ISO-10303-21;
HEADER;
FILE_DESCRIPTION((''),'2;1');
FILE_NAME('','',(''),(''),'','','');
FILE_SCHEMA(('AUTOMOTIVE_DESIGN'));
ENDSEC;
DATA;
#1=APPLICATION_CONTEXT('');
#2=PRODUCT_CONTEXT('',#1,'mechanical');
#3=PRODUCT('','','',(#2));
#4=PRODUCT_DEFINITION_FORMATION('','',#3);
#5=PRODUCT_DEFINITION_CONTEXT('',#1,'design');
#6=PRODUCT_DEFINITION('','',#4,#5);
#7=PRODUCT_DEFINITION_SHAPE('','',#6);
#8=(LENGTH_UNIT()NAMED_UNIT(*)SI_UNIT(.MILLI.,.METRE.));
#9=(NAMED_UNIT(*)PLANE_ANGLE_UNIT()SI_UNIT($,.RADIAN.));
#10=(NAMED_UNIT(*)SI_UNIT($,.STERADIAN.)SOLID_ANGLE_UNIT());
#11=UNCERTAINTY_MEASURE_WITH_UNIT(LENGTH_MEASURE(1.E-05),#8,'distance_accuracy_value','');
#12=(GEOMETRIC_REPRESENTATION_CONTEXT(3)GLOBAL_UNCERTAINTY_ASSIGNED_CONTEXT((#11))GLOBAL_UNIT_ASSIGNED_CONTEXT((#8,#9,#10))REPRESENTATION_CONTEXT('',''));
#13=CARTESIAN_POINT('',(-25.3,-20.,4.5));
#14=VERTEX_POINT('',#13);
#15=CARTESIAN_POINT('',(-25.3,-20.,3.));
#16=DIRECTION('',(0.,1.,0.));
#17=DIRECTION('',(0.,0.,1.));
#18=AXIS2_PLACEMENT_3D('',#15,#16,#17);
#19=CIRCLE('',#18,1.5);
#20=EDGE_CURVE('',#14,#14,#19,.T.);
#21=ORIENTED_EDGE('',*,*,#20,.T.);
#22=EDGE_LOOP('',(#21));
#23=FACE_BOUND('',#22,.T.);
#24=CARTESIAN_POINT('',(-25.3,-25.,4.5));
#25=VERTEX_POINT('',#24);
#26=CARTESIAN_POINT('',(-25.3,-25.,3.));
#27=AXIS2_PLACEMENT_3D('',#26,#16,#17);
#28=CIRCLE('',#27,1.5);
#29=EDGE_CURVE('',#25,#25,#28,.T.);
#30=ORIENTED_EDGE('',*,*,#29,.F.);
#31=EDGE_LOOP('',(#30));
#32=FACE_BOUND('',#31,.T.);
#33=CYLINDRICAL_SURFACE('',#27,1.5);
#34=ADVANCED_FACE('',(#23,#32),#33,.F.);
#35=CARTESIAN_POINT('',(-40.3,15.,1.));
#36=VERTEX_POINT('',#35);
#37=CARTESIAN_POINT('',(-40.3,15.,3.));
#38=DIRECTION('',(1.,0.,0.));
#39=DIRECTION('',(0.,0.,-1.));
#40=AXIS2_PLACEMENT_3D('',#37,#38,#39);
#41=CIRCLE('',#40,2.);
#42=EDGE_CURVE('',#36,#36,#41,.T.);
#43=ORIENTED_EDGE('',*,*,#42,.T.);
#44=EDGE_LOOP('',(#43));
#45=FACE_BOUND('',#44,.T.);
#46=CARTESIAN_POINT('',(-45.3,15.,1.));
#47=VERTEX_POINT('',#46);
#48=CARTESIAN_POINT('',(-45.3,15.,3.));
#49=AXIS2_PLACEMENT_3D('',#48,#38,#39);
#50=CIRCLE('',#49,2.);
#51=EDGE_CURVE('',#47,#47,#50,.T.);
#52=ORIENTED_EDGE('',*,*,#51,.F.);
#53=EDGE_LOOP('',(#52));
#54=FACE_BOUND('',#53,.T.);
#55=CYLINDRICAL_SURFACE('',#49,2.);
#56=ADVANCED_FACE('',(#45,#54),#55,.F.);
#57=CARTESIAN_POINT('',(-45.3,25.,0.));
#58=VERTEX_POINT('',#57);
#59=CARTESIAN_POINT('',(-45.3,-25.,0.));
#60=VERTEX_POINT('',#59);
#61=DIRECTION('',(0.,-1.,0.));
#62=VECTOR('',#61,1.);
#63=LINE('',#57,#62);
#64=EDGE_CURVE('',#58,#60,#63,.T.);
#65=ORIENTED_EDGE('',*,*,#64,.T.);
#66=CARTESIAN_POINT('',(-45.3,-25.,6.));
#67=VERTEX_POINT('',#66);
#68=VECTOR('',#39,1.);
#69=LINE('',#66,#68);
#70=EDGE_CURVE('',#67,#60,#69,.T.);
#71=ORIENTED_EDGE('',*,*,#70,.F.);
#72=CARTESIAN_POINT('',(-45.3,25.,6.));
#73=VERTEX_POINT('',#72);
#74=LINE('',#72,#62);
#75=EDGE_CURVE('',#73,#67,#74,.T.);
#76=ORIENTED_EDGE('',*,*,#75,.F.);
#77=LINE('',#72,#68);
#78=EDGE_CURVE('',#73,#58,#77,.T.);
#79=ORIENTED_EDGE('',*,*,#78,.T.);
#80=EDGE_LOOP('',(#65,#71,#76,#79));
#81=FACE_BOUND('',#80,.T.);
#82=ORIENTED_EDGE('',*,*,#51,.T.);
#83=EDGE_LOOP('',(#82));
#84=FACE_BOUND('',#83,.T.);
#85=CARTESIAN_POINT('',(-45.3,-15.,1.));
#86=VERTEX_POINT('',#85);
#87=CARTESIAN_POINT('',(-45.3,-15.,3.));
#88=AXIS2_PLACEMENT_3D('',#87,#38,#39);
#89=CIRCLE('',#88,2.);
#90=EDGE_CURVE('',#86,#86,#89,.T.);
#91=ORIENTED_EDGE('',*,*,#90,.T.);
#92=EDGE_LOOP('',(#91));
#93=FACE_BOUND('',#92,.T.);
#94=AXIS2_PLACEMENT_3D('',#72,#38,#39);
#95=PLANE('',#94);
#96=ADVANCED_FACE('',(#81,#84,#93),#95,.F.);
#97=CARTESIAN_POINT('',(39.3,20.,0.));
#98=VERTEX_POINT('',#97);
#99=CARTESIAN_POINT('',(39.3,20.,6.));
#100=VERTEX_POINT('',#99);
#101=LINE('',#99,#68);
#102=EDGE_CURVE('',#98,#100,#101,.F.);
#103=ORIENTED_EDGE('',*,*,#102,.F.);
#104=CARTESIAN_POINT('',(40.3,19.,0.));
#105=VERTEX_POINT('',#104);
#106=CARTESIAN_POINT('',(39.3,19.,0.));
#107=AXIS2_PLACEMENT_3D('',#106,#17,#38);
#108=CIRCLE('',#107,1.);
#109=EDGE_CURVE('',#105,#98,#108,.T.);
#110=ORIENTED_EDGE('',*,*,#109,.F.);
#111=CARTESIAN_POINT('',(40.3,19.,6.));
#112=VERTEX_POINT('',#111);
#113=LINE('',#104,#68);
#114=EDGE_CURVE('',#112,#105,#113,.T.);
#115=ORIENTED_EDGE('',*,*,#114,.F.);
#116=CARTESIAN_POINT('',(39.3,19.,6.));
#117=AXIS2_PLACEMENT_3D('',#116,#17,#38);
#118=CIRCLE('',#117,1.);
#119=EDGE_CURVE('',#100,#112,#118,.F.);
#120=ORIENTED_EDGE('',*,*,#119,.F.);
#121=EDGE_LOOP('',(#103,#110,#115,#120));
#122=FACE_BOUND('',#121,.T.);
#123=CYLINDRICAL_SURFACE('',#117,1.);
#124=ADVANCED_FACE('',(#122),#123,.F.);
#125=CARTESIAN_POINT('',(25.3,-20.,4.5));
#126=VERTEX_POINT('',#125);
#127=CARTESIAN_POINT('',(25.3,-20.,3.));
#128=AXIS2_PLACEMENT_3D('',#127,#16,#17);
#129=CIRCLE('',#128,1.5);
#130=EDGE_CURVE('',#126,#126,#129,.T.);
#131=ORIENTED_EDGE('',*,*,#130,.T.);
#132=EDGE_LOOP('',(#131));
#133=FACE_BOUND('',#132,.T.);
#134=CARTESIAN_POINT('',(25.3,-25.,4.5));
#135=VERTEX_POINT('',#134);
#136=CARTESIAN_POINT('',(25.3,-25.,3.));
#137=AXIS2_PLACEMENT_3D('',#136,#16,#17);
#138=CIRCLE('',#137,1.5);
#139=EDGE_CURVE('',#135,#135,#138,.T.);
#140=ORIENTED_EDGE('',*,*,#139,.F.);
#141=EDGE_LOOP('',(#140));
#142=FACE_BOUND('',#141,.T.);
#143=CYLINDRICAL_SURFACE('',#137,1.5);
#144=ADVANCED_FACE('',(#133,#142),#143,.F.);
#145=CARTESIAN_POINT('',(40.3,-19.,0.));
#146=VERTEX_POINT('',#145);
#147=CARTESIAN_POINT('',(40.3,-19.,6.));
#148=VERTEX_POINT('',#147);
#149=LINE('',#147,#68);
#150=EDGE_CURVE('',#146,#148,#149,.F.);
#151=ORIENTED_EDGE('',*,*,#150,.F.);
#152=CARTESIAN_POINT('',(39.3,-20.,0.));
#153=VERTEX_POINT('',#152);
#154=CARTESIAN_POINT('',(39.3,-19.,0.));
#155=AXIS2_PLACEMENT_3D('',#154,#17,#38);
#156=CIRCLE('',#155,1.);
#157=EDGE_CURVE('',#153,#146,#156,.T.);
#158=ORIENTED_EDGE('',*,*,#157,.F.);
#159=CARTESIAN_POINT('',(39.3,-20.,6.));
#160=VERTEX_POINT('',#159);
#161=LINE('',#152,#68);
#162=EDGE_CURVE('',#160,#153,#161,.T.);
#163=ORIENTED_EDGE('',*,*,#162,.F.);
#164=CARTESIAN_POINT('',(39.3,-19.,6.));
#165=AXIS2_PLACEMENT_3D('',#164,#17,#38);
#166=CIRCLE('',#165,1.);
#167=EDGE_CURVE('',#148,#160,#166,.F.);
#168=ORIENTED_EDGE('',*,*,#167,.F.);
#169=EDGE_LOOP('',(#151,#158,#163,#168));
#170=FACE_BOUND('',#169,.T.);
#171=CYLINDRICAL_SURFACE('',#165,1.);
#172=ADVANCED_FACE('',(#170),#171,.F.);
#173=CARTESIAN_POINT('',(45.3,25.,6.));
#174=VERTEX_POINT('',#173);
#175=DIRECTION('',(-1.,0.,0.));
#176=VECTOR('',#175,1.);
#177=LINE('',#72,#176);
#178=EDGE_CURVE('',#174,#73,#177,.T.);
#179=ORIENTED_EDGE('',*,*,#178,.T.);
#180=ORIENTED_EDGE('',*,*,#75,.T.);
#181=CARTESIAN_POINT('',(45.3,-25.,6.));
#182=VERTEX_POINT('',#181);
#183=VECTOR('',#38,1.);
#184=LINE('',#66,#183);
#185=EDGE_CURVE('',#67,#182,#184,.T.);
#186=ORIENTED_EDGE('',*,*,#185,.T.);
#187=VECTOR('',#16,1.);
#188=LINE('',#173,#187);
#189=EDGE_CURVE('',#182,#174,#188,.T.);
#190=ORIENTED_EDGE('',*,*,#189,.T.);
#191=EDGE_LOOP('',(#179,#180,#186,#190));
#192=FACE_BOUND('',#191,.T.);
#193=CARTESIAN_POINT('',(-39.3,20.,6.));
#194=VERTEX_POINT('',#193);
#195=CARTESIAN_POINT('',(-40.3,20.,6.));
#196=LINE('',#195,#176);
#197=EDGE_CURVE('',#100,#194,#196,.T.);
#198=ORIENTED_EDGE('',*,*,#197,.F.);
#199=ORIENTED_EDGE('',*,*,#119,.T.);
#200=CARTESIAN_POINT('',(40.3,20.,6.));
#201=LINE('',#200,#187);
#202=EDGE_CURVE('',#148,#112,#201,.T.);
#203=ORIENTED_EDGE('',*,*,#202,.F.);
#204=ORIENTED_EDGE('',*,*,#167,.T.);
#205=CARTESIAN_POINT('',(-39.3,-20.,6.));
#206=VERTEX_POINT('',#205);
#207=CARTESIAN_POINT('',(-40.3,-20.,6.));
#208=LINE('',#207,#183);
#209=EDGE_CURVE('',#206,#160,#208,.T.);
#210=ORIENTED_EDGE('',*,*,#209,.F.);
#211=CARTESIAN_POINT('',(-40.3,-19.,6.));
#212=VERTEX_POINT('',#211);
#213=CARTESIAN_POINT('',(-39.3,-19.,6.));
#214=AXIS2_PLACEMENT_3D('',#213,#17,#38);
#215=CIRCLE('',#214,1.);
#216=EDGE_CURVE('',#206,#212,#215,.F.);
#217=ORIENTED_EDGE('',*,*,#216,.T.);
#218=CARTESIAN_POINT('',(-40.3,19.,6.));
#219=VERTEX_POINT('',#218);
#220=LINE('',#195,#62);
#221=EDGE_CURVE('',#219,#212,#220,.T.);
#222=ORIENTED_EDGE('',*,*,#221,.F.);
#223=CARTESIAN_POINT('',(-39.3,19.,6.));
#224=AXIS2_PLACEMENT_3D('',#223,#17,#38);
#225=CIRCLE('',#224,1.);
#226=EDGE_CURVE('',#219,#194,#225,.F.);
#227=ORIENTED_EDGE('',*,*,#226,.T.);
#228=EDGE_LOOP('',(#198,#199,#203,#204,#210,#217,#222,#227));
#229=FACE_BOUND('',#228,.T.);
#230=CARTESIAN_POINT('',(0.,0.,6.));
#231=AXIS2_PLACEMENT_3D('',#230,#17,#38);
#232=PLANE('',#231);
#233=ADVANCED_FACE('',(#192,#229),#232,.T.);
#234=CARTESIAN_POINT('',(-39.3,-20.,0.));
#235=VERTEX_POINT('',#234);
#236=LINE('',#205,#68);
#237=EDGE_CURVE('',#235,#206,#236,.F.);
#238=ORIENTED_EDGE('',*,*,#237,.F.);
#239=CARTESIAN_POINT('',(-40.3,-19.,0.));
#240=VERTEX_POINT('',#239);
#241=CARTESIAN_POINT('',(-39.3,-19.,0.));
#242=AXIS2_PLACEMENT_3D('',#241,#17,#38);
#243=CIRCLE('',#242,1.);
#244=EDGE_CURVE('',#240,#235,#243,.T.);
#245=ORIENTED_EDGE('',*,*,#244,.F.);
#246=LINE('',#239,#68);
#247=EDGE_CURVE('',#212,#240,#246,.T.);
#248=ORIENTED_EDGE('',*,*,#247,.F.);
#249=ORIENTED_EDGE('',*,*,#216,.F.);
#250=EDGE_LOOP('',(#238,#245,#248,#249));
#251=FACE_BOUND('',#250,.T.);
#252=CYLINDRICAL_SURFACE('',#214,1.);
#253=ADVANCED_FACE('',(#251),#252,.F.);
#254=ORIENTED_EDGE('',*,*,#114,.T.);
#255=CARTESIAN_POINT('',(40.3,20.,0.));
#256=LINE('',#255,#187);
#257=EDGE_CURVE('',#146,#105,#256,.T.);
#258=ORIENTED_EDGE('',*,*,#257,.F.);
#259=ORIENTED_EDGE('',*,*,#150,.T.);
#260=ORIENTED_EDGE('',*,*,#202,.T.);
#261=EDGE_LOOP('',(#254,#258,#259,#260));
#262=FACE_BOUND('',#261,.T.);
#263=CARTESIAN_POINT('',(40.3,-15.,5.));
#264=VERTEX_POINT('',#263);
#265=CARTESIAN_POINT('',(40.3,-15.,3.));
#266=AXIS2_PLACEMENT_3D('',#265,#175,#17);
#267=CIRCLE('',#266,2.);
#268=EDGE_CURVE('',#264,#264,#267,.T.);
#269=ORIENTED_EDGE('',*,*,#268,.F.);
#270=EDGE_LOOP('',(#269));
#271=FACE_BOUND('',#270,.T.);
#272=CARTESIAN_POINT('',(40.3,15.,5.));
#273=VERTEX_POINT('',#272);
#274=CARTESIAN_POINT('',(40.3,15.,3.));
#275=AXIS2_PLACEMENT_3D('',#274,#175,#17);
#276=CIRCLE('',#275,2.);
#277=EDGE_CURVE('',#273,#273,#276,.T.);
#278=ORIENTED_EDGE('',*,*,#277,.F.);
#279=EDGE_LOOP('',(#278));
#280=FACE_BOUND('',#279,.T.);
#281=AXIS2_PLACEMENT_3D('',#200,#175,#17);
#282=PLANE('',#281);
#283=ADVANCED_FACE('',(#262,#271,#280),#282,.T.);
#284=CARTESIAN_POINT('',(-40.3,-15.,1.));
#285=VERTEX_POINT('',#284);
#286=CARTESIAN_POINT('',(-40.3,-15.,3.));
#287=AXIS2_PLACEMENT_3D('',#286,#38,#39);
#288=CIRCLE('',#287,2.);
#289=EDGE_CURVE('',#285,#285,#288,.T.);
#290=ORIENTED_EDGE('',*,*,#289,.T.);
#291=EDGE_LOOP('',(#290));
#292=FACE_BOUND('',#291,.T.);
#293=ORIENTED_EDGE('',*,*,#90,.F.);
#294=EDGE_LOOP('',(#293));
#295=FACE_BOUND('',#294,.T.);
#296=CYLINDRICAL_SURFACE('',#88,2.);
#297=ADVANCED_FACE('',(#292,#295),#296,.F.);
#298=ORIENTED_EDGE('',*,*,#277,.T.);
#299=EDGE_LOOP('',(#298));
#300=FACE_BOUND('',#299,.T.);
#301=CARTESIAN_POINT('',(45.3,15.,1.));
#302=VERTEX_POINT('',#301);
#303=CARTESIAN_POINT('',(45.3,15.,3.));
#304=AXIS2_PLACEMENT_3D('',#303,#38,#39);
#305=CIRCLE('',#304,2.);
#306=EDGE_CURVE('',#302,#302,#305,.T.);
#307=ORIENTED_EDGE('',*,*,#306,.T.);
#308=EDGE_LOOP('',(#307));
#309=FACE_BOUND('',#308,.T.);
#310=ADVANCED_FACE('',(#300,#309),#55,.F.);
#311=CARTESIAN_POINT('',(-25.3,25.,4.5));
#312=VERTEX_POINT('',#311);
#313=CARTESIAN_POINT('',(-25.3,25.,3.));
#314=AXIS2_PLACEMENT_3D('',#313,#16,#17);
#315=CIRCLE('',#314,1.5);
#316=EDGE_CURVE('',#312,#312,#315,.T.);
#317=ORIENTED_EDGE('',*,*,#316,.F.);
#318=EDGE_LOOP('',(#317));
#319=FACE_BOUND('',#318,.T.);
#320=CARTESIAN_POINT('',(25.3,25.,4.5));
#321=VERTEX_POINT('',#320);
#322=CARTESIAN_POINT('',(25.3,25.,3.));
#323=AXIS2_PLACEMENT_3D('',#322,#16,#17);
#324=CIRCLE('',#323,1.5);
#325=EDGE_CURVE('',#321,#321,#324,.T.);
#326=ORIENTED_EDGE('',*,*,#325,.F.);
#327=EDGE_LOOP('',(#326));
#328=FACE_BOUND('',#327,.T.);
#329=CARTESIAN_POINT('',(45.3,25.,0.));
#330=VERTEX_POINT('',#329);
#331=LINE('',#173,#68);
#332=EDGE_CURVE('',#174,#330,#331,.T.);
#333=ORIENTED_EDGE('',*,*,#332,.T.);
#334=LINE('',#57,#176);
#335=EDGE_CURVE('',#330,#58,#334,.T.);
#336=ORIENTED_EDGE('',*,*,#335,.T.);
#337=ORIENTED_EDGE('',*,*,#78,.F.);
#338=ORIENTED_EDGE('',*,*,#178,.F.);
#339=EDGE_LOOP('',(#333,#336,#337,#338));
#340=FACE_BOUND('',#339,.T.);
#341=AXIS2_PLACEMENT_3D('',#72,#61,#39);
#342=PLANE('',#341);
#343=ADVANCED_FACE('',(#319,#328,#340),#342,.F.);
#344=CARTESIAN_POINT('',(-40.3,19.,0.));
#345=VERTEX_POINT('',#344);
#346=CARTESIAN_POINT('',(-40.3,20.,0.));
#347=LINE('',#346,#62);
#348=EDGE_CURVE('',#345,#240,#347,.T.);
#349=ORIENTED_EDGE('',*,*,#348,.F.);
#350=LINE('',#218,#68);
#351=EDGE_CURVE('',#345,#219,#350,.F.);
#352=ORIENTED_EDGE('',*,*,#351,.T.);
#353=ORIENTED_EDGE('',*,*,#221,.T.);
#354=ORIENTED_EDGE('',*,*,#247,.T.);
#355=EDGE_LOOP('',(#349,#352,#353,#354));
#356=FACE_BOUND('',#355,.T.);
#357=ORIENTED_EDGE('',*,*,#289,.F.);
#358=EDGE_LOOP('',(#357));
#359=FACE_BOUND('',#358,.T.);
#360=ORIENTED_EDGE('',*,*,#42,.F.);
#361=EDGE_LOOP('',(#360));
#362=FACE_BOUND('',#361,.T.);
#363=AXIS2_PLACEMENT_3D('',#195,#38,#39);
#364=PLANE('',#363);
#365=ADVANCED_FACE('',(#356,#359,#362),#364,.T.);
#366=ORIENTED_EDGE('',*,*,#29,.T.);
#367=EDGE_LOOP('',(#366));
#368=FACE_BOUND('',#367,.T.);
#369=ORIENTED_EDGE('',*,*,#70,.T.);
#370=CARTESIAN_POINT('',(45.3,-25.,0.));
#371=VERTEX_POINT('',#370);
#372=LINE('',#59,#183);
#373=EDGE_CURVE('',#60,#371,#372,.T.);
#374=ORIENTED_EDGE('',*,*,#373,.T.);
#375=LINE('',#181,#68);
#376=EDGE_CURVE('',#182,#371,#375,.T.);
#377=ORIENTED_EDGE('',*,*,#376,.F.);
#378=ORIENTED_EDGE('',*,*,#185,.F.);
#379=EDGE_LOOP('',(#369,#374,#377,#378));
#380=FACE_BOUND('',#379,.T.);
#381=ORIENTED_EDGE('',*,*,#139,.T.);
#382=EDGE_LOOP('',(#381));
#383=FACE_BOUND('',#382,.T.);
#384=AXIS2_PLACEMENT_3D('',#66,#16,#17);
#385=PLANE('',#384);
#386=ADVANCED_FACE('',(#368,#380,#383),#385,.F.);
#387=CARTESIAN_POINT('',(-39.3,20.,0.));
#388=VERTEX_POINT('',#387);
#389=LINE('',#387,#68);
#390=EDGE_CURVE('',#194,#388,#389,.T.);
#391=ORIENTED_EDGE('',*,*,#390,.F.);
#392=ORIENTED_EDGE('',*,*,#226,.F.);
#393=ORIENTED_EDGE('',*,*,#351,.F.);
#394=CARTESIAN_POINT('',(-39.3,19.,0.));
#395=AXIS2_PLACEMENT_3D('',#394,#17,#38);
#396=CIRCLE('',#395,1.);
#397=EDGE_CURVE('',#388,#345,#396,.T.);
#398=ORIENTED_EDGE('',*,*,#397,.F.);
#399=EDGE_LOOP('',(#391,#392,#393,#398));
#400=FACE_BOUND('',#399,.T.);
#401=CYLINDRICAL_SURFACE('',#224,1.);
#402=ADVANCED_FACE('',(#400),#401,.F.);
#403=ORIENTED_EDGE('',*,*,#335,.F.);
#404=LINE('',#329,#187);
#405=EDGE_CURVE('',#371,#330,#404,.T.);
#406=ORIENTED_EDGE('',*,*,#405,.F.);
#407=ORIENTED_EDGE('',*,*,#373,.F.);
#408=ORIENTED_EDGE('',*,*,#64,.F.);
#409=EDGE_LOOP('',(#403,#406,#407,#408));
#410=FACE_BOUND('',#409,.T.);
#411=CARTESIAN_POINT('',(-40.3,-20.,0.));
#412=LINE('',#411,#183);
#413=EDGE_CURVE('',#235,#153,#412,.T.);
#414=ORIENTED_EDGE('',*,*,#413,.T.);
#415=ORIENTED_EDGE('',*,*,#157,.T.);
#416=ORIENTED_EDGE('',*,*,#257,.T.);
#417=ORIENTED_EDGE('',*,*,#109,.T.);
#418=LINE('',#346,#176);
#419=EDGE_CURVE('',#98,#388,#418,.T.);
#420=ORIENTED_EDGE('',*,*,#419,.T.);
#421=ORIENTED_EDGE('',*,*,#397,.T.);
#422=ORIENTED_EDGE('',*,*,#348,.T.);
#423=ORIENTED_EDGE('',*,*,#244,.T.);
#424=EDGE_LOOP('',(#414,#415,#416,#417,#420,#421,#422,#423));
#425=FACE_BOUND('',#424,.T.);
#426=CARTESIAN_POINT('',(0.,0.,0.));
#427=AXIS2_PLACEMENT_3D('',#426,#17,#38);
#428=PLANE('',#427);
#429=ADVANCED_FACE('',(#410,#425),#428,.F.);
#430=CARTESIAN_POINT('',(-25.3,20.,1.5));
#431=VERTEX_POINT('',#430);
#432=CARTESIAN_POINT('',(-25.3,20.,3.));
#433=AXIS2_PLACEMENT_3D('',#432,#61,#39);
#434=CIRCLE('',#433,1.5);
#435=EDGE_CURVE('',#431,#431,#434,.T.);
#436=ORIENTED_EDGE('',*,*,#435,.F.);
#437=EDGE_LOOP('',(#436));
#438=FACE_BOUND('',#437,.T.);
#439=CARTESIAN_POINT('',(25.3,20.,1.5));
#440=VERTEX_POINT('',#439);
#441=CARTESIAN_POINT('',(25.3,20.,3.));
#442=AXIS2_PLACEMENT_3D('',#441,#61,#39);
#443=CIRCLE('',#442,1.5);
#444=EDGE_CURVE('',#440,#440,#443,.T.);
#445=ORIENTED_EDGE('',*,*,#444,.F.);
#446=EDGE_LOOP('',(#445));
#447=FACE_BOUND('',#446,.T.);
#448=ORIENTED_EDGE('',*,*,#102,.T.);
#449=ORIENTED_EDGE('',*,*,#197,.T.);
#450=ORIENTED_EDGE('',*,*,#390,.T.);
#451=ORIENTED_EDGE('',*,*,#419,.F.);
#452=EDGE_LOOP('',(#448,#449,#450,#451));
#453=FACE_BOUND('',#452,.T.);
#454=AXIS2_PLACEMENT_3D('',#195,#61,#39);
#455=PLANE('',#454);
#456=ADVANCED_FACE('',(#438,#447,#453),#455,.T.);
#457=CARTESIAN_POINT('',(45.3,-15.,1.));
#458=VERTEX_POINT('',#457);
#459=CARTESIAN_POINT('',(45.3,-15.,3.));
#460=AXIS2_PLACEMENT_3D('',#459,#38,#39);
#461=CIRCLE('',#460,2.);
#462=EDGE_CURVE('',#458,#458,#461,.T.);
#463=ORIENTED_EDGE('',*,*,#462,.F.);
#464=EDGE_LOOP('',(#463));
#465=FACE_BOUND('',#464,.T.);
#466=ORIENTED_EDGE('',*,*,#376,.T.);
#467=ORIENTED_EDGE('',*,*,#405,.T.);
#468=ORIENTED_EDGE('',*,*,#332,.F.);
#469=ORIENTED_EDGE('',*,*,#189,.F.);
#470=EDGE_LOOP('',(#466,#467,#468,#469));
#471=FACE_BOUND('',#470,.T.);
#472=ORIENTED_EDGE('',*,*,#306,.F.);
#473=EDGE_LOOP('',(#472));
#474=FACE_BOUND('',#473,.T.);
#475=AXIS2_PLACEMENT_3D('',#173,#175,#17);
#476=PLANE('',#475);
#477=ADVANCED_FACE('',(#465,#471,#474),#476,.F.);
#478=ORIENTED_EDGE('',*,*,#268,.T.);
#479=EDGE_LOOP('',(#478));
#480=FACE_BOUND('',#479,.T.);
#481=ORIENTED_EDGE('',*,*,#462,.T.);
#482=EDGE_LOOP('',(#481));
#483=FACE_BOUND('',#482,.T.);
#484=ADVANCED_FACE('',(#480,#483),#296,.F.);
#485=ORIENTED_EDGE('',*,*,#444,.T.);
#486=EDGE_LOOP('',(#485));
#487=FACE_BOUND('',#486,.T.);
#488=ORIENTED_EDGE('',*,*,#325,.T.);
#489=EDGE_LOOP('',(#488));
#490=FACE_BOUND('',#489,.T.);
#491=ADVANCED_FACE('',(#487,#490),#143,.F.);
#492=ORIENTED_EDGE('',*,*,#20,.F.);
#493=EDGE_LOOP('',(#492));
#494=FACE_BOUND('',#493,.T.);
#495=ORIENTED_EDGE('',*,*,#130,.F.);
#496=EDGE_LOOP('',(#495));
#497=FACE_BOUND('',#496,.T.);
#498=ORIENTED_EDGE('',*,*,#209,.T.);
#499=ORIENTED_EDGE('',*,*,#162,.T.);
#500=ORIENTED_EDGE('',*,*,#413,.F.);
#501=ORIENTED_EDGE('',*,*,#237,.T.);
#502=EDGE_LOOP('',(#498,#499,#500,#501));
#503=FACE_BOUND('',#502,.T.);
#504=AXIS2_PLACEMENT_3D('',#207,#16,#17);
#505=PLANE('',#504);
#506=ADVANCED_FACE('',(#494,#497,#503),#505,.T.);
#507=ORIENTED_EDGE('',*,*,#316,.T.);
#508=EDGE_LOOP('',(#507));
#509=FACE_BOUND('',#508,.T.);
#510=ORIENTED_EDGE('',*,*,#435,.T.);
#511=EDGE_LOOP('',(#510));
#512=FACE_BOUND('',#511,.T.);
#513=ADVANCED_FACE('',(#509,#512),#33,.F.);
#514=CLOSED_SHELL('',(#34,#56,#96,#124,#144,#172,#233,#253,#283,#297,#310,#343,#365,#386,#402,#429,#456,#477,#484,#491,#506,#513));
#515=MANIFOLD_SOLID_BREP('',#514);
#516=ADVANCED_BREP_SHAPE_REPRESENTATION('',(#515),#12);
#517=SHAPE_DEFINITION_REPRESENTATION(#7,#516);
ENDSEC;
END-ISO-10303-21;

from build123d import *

# Parameters (mm, degrees)
SKETCH_1_W          = 90.6
SKETCH_1_H          = 50
SKETCH_1_W_2        = 80.6
SKETCH_1_H_2        = 40
EXTRUDE_1_DEPTH     = 6
FILLET_1_R          = 1
SKETCH_2_R          = 2
CUT_EXTRUDE_1_DEPTH = 95.177279638
SKETCH_3_R          = 1.5
CUT_EXTRUDE_2_DEPTH = 68.73544124


with BuildPart() as part:
    # 草图1 → 凸台-拉伸1 (new body)
    with BuildSketch(Plane.XY):
        Rectangle(SKETCH_1_W, SKETCH_1_H)
        Rectangle(SKETCH_1_W_2, SKETCH_1_H_2, mode=Mode.SUBTRACT)
    extrude(amount=EXTRUDE_1_DEPTH)

    # 圆角1
    fillet_1_edges = [part.edges().sort_by_distance(p)[0] for p in [
        (40.3, -20, 3),
        (40.3, 20, 3),
        (-40.3, 20, 3),
        (-40.3, -20, 3),
    ]]
    fillet(fillet_1_edges, radius=FILLET_1_R)

    # 草图2 → 切除-拉伸1 (cut, through all)
    with BuildSketch(Plane(origin=(45.3, 0, 0), x_dir=(0, 0, -1), z_dir=(1, 0, 0))):
        with Locations((-3, 15)):
            Circle(SKETCH_2_R)
        with Locations((-3, -15)):
            Circle(SKETCH_2_R)
    extrude(amount=-CUT_EXTRUDE_1_DEPTH, mode=Mode.SUBTRACT)

    # 草图3 → 切除-拉伸2 (cut, through all)
    with BuildSketch(Plane(origin=(0, 25, 0), x_dir=(1, 0, 0), z_dir=(0, 1, 0))):
        with Locations(Location((-25.3, -3, 0), (0, 0, 270))):
            Circle(SKETCH_3_R)
        with Locations(Location((25.3, -3, 0), (0, 0, 270))):
            Circle(SKETCH_3_R)
    extrude(amount=-CUT_EXTRUDE_2_DEPTH, mode=Mode.SUBTRACT)


solid = part.part
